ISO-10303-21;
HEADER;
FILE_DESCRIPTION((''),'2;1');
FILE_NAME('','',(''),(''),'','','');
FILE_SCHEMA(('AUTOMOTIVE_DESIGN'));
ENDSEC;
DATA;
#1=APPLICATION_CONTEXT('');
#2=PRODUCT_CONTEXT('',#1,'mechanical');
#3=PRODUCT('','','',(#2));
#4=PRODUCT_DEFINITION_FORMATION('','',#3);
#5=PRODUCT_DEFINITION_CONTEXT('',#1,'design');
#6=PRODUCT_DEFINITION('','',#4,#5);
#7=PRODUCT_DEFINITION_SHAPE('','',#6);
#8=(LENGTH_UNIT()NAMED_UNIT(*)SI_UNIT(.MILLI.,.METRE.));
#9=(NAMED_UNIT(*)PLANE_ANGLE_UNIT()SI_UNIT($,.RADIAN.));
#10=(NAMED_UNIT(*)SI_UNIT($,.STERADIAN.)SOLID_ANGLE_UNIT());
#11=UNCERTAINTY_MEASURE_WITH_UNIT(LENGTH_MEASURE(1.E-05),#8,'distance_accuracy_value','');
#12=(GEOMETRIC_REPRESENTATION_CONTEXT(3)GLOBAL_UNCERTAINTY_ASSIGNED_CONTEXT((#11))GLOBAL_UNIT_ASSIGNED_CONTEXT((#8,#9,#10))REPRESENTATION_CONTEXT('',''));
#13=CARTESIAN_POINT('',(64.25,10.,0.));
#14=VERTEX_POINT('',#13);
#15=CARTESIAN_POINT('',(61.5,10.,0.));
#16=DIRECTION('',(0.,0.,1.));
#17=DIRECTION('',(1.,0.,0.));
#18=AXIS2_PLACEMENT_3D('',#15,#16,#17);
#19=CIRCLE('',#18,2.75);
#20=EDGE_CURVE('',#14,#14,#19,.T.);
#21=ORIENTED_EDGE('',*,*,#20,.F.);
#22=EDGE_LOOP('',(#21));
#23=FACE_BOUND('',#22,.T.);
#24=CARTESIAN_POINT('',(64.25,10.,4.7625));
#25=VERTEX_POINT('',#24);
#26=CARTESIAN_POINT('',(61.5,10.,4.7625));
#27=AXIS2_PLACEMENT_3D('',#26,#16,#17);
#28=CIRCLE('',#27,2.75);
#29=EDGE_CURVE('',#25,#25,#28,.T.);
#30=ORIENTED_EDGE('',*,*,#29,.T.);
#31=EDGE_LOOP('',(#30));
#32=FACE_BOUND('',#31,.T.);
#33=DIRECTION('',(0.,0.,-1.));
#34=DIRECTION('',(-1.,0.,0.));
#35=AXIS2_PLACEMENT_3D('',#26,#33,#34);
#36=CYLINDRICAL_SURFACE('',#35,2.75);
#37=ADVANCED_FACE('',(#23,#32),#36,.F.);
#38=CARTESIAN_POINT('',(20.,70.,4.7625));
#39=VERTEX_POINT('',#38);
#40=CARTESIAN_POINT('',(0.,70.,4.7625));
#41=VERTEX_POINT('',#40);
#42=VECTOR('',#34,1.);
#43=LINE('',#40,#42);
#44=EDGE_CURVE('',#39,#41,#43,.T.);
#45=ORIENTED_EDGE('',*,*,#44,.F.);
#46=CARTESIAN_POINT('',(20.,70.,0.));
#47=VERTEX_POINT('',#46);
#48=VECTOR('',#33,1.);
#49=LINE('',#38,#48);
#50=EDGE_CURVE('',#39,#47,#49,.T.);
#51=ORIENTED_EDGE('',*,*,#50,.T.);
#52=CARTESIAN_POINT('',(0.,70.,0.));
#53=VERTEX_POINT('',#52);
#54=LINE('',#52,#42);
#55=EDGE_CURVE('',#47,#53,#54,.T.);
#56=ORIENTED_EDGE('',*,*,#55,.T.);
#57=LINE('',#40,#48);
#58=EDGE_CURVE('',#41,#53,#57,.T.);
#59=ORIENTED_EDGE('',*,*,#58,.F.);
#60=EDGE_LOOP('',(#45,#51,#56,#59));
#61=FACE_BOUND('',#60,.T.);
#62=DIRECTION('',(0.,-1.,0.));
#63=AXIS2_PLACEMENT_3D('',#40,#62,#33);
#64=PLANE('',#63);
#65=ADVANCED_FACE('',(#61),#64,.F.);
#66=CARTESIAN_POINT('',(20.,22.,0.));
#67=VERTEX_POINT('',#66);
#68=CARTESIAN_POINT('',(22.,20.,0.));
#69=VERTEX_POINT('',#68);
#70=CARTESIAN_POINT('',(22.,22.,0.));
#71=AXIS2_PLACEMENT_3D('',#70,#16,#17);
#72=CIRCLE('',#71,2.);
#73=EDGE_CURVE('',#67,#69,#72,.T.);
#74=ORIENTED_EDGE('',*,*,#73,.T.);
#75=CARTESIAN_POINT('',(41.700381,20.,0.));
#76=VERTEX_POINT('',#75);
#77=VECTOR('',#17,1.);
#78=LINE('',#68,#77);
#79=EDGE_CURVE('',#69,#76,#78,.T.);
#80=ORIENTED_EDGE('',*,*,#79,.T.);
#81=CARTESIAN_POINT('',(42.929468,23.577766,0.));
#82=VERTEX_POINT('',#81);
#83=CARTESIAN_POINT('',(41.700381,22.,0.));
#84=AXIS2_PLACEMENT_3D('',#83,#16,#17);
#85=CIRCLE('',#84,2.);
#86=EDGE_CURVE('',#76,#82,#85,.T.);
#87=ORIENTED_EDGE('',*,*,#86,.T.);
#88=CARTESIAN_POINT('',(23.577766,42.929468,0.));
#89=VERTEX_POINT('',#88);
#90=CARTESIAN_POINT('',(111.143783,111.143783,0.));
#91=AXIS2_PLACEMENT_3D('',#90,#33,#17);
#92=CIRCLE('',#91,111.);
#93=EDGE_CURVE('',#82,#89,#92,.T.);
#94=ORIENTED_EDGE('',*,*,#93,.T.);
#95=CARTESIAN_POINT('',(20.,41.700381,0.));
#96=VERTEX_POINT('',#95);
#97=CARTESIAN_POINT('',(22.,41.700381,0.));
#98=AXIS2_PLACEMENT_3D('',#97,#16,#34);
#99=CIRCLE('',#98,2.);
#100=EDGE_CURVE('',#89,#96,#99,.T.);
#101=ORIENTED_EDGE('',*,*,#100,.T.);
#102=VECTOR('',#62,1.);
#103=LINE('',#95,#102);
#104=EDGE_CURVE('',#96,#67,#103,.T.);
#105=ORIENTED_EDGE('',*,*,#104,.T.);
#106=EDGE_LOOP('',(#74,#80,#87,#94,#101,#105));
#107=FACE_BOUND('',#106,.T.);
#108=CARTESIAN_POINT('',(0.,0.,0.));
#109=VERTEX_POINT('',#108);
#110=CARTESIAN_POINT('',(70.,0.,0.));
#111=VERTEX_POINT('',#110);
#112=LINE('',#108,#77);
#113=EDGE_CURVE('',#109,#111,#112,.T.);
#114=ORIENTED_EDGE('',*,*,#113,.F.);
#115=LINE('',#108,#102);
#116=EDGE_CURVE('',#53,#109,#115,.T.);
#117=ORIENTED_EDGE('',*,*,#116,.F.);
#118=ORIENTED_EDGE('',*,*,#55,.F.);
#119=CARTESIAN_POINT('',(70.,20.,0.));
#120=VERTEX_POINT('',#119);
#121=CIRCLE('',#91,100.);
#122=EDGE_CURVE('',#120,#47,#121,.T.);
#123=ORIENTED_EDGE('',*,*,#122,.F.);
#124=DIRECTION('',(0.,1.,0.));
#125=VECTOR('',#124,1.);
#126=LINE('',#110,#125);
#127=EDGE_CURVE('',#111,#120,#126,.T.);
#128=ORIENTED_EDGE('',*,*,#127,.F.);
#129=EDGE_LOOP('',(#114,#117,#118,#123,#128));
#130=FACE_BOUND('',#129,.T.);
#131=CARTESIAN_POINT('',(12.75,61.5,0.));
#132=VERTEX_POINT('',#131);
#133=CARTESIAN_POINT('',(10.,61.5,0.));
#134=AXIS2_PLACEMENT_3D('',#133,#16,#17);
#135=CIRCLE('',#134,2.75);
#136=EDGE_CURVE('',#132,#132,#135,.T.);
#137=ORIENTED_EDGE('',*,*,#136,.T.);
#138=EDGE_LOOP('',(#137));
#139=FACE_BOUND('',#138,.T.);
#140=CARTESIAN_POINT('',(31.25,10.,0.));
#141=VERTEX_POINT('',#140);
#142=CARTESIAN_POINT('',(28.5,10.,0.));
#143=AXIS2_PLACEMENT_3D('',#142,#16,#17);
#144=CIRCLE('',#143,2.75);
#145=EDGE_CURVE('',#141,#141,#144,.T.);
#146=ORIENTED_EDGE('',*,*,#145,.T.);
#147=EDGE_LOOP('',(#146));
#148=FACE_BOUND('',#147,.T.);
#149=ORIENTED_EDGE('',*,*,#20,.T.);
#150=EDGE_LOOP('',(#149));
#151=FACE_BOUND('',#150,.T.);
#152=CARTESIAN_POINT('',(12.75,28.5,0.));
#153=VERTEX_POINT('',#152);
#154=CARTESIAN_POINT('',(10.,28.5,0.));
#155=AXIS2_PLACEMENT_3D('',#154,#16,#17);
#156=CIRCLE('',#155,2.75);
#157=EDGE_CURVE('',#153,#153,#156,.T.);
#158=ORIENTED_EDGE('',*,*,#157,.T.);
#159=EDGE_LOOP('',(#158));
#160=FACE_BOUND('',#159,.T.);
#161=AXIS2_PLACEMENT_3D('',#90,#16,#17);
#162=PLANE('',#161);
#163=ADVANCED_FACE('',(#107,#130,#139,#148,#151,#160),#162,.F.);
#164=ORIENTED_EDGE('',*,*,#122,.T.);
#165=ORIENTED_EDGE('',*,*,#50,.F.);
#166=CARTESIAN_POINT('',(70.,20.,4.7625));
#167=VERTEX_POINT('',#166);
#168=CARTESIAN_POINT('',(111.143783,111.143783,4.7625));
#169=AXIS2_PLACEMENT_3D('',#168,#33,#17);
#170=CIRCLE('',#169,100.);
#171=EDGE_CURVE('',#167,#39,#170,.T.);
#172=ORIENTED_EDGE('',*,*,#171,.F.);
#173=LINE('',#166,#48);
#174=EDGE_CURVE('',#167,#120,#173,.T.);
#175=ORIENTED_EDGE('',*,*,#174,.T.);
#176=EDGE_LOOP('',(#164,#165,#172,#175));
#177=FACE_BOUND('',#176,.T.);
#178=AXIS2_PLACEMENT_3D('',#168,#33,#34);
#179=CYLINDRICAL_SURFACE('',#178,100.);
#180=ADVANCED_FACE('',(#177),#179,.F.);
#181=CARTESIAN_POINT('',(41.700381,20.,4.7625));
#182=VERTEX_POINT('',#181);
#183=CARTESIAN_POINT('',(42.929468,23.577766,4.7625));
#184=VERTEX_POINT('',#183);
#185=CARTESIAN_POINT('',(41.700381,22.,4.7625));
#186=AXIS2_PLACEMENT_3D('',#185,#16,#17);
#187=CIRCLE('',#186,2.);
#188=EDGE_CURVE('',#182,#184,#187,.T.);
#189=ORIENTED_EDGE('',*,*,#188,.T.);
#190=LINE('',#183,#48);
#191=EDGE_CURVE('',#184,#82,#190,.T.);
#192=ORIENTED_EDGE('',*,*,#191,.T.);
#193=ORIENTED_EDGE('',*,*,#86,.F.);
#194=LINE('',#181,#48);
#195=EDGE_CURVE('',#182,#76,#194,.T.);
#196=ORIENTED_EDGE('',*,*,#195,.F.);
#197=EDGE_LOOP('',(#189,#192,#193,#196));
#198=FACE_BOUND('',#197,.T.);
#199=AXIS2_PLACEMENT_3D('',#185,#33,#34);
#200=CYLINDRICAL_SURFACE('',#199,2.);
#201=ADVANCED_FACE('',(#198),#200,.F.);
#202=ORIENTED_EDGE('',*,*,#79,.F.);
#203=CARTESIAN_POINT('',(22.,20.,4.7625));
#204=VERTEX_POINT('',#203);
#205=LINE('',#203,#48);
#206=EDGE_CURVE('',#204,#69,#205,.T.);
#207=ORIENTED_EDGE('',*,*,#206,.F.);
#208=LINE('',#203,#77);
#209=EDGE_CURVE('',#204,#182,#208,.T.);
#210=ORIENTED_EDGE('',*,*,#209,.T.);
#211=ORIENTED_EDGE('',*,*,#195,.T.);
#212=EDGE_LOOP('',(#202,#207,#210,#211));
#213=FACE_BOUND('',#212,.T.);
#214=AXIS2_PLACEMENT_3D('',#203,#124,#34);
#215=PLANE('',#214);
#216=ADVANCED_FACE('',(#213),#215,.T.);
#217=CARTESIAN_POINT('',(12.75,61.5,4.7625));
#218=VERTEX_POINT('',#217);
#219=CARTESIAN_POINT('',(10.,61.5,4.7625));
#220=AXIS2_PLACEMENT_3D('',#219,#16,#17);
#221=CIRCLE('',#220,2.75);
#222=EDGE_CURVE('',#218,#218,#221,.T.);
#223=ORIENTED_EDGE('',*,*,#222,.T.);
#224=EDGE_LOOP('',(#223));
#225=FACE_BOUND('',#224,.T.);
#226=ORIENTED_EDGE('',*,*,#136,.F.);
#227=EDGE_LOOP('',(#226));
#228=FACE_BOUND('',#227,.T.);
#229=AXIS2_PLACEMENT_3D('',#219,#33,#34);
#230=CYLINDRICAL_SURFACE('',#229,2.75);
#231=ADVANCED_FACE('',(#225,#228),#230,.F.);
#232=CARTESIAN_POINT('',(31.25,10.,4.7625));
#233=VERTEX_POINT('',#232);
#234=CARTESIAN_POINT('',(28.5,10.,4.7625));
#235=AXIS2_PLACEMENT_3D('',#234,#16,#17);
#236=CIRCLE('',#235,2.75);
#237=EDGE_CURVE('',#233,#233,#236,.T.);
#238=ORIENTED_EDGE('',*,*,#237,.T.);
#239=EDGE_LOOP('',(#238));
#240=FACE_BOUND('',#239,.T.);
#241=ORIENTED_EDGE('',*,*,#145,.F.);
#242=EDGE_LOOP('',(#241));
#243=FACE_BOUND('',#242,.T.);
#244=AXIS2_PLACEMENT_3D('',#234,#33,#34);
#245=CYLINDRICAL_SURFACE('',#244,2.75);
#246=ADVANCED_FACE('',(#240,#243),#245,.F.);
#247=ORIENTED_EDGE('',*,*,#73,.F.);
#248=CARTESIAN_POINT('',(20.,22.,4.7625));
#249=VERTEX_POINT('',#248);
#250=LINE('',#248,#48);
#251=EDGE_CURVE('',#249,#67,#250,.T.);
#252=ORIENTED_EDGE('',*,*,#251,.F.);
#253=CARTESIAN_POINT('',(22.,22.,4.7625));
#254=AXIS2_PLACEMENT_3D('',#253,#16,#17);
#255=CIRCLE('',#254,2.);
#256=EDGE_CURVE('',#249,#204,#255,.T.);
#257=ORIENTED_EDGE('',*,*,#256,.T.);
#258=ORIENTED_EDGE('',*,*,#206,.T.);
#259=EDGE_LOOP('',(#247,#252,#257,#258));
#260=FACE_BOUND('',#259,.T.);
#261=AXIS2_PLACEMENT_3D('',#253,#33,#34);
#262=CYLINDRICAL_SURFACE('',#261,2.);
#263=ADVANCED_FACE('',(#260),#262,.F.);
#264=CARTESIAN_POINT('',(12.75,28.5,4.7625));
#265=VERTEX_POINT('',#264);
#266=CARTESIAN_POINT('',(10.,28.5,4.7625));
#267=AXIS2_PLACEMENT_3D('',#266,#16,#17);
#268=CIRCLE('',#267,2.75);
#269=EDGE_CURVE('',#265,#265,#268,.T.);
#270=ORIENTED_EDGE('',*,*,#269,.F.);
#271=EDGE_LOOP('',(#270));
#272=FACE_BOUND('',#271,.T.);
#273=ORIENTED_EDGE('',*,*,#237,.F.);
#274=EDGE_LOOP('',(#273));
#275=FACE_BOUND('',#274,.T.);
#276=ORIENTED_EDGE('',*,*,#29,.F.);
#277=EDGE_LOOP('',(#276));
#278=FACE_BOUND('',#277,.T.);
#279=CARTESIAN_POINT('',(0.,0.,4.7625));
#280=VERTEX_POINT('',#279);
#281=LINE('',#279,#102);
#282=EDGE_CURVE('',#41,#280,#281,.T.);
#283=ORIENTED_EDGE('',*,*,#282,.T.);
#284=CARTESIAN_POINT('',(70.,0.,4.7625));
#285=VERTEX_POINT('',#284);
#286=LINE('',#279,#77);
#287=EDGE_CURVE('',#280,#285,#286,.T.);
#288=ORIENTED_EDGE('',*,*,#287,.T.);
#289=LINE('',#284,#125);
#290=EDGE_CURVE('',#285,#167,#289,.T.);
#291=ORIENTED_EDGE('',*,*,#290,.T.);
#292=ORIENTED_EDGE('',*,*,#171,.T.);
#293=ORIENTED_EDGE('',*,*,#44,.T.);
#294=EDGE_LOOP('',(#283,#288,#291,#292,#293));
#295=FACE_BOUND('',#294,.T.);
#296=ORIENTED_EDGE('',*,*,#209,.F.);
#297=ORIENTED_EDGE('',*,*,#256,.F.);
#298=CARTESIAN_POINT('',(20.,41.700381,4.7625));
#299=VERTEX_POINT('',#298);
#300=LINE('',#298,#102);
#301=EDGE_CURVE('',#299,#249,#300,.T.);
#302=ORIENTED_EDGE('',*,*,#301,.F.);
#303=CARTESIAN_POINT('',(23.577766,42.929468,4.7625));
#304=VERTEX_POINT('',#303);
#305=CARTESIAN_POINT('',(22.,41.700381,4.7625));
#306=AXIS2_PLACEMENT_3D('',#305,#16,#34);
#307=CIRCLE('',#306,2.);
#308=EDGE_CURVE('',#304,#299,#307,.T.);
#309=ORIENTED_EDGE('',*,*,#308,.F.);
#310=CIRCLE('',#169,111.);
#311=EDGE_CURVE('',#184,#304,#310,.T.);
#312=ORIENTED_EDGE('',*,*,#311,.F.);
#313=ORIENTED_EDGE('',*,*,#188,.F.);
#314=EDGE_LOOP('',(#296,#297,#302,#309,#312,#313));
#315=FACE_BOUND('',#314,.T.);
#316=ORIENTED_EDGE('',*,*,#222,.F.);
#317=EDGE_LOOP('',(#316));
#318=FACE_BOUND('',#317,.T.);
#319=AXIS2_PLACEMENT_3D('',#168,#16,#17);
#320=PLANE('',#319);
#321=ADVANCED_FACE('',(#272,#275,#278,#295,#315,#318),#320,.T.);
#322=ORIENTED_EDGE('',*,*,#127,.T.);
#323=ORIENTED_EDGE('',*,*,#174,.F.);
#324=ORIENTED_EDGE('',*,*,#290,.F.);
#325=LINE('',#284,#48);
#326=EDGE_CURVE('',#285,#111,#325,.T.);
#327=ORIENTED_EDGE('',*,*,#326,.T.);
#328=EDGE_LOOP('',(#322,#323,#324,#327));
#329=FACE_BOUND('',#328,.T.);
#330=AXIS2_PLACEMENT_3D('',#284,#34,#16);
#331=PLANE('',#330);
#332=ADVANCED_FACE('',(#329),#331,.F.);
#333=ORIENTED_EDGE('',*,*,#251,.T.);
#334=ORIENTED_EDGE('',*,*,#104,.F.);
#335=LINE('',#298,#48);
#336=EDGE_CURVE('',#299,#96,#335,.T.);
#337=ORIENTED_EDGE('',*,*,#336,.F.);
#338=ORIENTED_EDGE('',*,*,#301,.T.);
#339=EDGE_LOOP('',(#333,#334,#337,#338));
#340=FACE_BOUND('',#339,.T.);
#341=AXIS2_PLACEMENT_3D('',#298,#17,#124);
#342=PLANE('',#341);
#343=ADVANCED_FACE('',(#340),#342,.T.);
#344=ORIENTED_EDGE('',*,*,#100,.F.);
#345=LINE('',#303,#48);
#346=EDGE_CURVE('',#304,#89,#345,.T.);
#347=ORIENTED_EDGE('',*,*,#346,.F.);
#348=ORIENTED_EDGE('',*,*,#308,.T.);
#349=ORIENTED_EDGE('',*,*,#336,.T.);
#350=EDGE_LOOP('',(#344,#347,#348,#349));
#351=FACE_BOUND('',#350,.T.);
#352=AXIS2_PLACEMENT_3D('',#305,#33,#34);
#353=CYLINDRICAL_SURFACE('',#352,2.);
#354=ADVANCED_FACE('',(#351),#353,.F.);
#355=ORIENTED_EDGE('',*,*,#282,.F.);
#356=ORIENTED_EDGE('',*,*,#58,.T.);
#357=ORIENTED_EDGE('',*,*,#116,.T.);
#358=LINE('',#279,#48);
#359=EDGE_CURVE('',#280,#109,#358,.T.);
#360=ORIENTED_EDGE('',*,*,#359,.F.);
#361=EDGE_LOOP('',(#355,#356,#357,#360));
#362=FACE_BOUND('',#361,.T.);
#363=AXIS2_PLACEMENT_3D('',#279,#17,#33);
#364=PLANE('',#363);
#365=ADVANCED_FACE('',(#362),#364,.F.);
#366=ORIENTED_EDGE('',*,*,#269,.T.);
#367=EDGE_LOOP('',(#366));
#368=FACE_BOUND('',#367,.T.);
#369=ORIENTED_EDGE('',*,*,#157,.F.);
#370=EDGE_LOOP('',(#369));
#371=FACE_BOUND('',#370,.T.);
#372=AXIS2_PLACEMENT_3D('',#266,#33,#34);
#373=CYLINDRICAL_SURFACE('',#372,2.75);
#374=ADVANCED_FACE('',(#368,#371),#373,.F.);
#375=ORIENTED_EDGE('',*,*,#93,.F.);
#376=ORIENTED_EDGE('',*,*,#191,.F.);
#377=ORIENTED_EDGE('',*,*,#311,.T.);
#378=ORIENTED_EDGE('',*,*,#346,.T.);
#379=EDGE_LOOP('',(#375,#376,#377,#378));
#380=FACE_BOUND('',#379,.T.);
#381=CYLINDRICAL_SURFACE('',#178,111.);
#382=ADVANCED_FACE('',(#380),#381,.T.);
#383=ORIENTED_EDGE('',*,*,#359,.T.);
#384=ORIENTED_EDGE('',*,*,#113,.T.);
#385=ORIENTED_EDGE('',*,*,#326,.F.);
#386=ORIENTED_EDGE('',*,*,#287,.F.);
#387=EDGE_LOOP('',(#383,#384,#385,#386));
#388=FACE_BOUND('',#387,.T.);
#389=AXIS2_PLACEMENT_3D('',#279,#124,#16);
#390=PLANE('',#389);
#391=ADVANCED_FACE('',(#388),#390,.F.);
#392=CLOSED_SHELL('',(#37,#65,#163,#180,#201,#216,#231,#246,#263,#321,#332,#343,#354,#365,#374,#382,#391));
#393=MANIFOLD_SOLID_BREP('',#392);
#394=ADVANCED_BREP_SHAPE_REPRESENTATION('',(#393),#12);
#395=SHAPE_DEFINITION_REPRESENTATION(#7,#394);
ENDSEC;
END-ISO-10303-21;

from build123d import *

# Parameters (mm, degrees)
SKETCH1_R           = 2.75
BOSS_EXTRUDE1_DEPTH = 4.7625


with BuildPart() as part:
    # Sketch1 → Boss-Extrude1 (new body)
    with BuildSketch(Plane.XY):
        with BuildLine():
            Line((0, 0), (70, 0))
            Line((70, 0), (70, 20))
            ThreePointArc((70, 20), (40.433104658, 40.433104658), (20, 70))
            Line((20, 70), (0, 70))
            Line((0, 70), (0, 0))
        make_face()
        with Locations((10, 61.5)):
            Circle(SKETCH1_R, mode=Mode.SUBTRACT)
        with Locations((10, 28.5)):
            Circle(SKETCH1_R, mode=Mode.SUBTRACT)
        with Locations((28.5, 10)):
            Circle(SKETCH1_R, mode=Mode.SUBTRACT)
        with Locations((61.5, 10)):
            Circle(SKETCH1_R, mode=Mode.SUBTRACT)
        with BuildLine():
            Line((20, 41.700381418), (20, 22))
            ThreePointArc((20, 22), (20.585786438, 20.585786438), (22, 20))
            Line((22, 20), (41.700381418, 20))
            ThreePointArc((41.700381418, 20), (43.591879783, 21.350204699), (42.929468168, 23.577766067))
            ThreePointArc((42.929468168, 23.577766067), (32.654930065, 32.654930065), (23.577766067, 42.929468168))
            ThreePointArc((23.577766067, 42.929468168), (21.350204699, 43.591879783), (20, 41.700381418))
        make_face(mode=Mode.SUBTRACT)
    extrude(amount=BOSS_EXTRUDE1_DEPTH)


solid = part.part
